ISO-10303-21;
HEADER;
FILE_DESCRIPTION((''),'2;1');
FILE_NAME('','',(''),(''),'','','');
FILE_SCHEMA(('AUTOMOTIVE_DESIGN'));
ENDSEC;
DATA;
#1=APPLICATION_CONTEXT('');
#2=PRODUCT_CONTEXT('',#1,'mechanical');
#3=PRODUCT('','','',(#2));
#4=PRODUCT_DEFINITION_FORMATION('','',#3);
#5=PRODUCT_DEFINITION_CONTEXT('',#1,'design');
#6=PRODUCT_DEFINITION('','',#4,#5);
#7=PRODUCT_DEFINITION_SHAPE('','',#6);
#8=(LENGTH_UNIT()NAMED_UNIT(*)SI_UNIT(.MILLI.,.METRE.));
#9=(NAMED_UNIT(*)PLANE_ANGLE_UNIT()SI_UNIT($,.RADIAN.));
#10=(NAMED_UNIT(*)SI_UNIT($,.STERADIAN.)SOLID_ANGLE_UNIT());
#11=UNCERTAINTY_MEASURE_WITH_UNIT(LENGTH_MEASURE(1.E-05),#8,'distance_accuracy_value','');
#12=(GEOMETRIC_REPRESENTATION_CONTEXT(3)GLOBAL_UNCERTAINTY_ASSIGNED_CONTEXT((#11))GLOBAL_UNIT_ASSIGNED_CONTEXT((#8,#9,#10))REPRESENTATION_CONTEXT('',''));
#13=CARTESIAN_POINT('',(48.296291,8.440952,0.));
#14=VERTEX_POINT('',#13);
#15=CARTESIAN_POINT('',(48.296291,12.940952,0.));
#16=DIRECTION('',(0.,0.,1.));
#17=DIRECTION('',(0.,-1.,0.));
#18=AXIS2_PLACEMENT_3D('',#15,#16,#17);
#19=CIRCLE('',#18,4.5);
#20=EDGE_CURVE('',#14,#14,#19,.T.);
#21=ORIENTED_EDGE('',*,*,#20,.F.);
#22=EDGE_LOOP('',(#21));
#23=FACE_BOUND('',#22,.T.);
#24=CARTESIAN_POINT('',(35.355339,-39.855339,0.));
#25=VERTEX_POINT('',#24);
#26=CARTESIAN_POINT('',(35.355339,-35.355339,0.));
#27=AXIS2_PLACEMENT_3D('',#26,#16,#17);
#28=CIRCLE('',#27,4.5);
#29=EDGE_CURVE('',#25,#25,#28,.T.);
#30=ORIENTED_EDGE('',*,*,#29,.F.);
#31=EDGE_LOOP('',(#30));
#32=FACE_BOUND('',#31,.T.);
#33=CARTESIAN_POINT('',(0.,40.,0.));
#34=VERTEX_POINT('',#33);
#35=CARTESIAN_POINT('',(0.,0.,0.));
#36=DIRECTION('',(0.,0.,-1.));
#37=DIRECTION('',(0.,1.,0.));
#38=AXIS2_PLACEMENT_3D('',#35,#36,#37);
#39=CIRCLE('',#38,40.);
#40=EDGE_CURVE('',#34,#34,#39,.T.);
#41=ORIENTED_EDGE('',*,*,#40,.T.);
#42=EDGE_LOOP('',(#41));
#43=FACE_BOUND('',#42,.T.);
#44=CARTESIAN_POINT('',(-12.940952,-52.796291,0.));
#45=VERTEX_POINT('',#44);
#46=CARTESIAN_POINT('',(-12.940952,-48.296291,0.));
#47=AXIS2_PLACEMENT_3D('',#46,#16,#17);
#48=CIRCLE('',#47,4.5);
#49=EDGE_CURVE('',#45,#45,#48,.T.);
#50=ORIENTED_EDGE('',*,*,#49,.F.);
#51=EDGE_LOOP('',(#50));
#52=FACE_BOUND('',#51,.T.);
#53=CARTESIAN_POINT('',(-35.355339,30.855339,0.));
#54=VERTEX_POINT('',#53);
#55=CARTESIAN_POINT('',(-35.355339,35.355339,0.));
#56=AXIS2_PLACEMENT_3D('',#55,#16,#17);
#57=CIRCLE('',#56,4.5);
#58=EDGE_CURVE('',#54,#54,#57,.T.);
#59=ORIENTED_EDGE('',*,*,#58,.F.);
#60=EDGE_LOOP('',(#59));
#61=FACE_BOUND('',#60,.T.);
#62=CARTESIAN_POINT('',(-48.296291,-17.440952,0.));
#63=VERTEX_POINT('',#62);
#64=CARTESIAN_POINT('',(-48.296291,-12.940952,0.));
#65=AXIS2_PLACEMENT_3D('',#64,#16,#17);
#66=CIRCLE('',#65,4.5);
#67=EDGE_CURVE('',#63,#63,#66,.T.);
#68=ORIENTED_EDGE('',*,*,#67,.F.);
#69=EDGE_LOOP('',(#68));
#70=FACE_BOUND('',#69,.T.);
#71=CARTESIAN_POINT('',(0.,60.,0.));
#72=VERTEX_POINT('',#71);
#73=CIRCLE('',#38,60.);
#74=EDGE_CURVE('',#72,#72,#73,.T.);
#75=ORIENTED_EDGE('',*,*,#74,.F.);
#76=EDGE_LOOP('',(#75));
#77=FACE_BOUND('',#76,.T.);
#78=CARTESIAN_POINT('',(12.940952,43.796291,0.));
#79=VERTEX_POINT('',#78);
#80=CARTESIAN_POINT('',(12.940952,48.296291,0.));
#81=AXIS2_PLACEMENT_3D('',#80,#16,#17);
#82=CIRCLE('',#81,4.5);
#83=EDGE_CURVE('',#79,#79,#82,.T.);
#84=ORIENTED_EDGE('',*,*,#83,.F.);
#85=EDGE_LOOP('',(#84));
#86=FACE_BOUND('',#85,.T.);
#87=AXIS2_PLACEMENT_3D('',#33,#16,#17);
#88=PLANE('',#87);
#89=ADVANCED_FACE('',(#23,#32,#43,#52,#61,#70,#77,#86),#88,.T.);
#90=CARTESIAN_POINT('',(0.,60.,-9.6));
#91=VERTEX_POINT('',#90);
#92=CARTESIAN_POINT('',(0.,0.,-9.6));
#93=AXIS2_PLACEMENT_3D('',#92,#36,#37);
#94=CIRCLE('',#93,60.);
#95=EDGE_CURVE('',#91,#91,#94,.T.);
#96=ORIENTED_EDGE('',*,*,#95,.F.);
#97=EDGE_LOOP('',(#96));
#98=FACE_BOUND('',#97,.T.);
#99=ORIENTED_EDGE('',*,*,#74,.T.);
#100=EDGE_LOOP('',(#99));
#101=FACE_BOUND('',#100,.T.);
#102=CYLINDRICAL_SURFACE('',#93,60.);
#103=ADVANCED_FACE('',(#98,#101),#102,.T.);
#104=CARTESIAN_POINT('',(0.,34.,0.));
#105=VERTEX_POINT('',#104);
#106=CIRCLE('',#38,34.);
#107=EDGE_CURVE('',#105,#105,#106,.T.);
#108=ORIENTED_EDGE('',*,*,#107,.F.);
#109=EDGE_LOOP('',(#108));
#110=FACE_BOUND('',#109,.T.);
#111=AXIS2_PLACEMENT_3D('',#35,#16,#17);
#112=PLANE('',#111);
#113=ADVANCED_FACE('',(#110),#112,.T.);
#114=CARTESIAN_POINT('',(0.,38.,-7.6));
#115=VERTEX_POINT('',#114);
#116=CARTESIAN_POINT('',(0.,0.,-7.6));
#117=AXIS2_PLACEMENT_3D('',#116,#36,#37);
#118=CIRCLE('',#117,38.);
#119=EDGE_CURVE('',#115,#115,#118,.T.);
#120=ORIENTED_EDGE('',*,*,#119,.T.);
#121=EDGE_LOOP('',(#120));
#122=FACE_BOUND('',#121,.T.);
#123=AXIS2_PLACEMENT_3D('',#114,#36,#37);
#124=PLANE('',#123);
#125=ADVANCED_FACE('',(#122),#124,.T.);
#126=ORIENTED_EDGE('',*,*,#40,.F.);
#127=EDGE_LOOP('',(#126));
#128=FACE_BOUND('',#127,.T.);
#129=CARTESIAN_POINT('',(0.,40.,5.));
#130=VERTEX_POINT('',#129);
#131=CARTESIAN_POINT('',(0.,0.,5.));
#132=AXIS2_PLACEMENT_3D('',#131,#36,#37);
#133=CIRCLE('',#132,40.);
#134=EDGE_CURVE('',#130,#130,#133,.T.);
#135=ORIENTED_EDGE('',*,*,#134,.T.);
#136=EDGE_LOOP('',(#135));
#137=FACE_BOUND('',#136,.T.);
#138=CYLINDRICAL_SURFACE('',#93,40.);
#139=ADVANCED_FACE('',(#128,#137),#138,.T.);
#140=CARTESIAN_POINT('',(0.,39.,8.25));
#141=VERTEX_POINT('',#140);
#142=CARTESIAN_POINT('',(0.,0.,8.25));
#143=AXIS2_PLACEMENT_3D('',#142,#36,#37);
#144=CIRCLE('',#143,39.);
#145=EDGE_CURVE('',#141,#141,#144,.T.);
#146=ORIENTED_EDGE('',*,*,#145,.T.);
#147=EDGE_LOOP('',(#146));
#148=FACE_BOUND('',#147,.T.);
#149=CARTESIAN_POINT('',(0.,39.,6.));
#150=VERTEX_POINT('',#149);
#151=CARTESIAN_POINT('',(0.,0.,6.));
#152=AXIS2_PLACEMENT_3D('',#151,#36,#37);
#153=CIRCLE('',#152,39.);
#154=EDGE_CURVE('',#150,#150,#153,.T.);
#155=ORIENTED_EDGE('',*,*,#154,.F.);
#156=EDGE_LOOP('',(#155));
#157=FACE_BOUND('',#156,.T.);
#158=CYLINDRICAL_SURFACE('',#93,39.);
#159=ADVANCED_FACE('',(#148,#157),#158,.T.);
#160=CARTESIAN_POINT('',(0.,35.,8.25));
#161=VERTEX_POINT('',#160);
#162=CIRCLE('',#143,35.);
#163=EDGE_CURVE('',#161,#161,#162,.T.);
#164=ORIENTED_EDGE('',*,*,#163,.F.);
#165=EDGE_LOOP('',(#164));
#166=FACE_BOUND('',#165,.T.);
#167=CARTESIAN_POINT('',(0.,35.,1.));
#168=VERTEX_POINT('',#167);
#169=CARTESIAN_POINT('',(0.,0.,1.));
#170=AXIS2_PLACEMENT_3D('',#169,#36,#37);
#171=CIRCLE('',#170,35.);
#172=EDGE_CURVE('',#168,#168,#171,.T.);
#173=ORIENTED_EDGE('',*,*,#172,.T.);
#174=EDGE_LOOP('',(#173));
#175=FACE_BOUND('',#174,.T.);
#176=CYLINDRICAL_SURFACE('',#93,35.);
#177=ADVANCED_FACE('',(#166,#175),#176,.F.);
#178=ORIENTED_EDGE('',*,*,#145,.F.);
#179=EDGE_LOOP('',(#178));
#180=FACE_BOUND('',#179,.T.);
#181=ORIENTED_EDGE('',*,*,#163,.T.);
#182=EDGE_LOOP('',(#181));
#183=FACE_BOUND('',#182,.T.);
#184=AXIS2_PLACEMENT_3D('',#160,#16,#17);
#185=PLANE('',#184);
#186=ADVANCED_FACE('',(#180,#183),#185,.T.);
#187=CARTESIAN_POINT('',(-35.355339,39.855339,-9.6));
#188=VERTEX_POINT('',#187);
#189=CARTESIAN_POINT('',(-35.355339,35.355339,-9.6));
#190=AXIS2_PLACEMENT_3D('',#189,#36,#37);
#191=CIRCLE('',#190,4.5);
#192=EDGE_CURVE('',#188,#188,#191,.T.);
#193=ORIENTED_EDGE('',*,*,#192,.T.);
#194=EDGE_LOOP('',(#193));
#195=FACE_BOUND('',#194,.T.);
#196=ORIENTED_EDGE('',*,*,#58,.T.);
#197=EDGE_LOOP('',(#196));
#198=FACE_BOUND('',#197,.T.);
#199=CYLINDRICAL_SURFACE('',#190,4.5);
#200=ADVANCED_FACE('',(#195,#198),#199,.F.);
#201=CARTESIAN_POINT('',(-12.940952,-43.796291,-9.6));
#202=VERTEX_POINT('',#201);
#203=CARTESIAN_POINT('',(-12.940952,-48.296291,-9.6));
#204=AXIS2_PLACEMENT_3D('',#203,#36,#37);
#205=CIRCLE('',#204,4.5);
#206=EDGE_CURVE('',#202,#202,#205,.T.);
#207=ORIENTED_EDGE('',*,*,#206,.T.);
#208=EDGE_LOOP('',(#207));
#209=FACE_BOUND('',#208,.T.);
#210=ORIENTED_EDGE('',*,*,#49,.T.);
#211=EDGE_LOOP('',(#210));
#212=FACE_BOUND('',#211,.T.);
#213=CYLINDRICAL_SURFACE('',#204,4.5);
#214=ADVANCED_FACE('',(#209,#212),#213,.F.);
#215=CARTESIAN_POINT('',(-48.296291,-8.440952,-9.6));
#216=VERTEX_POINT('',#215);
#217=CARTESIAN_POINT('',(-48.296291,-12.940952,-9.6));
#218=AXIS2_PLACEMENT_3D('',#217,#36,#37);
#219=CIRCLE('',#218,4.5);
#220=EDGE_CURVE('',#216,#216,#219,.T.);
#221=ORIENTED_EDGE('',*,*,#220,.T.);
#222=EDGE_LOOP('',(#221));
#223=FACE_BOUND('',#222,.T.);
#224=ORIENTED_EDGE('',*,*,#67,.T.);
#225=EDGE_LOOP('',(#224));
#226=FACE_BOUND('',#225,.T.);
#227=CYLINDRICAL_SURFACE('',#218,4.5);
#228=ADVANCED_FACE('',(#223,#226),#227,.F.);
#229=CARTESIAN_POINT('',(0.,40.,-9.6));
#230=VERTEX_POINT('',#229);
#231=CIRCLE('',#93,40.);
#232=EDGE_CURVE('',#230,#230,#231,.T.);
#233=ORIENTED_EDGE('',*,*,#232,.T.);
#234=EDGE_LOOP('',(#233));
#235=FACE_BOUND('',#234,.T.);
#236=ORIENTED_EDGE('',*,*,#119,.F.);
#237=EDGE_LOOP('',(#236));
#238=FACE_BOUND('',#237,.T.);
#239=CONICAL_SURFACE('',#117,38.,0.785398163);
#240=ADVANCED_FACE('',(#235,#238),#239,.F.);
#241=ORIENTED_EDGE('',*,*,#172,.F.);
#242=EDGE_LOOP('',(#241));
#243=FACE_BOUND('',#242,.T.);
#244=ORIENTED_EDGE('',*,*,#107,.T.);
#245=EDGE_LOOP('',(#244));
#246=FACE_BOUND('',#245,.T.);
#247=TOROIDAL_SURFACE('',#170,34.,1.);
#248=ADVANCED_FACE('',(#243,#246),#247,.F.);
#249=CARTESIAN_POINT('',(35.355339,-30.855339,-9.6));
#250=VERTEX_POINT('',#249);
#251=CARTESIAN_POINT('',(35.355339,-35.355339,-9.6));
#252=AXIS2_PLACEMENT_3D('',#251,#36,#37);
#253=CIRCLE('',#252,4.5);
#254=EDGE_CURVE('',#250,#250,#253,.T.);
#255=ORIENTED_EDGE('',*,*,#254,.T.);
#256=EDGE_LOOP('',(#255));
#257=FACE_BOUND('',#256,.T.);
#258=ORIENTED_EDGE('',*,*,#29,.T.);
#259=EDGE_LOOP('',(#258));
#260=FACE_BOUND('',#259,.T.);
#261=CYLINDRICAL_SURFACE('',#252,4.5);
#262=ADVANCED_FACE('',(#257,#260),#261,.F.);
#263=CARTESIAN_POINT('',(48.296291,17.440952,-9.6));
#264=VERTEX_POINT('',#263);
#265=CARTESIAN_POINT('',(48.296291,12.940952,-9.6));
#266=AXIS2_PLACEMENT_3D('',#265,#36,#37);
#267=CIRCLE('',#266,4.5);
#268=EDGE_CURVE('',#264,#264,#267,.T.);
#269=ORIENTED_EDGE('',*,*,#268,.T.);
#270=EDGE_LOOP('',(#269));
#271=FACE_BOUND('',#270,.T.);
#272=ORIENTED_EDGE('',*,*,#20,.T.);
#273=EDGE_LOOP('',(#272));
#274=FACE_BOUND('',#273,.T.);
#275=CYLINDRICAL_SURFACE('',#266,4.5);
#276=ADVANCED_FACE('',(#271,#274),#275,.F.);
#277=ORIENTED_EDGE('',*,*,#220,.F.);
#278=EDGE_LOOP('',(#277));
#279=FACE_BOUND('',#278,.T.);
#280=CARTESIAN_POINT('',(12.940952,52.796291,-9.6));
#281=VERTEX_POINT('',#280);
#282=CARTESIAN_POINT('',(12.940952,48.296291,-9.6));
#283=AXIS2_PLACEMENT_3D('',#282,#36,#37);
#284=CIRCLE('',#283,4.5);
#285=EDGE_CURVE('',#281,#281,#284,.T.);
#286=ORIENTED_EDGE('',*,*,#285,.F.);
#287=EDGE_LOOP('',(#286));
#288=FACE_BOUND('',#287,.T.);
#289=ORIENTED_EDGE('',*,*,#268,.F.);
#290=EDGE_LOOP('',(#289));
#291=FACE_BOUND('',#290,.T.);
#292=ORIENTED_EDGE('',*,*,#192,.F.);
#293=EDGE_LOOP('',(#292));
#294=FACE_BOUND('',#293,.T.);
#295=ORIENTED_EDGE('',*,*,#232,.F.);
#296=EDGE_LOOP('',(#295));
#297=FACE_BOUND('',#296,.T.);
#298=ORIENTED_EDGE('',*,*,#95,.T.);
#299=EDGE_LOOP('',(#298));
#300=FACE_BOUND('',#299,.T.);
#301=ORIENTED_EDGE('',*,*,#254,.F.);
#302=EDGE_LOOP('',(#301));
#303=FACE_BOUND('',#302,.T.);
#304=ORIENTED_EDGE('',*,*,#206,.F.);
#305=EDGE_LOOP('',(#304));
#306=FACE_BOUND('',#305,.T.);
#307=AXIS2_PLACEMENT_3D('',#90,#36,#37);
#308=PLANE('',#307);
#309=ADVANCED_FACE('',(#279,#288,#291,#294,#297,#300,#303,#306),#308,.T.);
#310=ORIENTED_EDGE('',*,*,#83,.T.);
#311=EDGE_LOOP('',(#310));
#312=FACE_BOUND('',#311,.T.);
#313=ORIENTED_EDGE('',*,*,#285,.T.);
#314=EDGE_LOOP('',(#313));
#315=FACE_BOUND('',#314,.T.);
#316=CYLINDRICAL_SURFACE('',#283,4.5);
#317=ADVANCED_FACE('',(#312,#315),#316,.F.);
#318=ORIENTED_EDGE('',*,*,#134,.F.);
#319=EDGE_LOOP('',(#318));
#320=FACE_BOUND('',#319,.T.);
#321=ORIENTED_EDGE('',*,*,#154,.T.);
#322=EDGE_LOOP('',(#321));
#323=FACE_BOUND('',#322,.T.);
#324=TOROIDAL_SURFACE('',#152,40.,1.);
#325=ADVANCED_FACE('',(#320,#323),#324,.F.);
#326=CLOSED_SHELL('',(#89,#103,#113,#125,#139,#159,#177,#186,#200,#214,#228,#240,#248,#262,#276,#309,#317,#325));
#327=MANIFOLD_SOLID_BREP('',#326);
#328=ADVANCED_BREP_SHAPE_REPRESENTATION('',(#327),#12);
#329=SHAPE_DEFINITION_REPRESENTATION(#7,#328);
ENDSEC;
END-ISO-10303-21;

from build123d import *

# Parameters (mm, degrees)
M8_CLEARANCE_HOLE1_D = 9
CIRPATTERN1_COUNT    = 6


with BuildPart() as part:
    # Sketch1 → Revolve1 (revolve)
    with BuildSketch(Plane(origin=(0, 0, 0), x_dir=(0, 0, -1), z_dir=(1, 0, 0))):
        with BuildLine():
            Line((0, 0), (0, 34))
            ThreePointArc((0, 34), (-0.292893219, 34.707106781), (-1, 35))
            Line((-1, 35), (-8.25, 35))
            Line((-8.25, 35), (-8.25, 39))
            Line((-8.25, 39), (-6, 39))
            ThreePointArc((-6, 39), (-5.292893219, 39.292893219), (-5, 40))
            Line((-5, 40), (0, 40))
            Line((0, 40), (0, 60))
            Line((0, 60), (9.6, 60))
            Line((9.6, 60), (9.6, 40))
            Line((9.6, 40), (7.6, 38))
            Line((7.6, 38), (7.6, 0))
            Line((7.6, 0), (0, 0))
        make_face()
    revolve(axis=Axis((0, 0, -9.6), (0, 0, 1)))

    # M8 Clearance Hole1 (through all)
    with Locations(Plane(origin=(0, 0, -9.6), x_dir=(-1, 0, 0), z_dir=(0, 0, -1))):
        with Locations((35.355339059, 35.355339059)):
            m8_clearance_hole1 = Hole(M8_CLEARANCE_HOLE1_D / 2)

    # CirPattern1: M8 Clearance Hole1 ×6 about axis
    cirpattern1_axis = Axis((0, 0, 0), (0, 0, 1))
    for i in range(1, CIRPATTERN1_COUNT):
        add(m8_clearance_hole1.rotate(cirpattern1_axis, i * 360 / CIRPATTERN1_COUNT), mode=Mode.SUBTRACT)


solid = part.part
